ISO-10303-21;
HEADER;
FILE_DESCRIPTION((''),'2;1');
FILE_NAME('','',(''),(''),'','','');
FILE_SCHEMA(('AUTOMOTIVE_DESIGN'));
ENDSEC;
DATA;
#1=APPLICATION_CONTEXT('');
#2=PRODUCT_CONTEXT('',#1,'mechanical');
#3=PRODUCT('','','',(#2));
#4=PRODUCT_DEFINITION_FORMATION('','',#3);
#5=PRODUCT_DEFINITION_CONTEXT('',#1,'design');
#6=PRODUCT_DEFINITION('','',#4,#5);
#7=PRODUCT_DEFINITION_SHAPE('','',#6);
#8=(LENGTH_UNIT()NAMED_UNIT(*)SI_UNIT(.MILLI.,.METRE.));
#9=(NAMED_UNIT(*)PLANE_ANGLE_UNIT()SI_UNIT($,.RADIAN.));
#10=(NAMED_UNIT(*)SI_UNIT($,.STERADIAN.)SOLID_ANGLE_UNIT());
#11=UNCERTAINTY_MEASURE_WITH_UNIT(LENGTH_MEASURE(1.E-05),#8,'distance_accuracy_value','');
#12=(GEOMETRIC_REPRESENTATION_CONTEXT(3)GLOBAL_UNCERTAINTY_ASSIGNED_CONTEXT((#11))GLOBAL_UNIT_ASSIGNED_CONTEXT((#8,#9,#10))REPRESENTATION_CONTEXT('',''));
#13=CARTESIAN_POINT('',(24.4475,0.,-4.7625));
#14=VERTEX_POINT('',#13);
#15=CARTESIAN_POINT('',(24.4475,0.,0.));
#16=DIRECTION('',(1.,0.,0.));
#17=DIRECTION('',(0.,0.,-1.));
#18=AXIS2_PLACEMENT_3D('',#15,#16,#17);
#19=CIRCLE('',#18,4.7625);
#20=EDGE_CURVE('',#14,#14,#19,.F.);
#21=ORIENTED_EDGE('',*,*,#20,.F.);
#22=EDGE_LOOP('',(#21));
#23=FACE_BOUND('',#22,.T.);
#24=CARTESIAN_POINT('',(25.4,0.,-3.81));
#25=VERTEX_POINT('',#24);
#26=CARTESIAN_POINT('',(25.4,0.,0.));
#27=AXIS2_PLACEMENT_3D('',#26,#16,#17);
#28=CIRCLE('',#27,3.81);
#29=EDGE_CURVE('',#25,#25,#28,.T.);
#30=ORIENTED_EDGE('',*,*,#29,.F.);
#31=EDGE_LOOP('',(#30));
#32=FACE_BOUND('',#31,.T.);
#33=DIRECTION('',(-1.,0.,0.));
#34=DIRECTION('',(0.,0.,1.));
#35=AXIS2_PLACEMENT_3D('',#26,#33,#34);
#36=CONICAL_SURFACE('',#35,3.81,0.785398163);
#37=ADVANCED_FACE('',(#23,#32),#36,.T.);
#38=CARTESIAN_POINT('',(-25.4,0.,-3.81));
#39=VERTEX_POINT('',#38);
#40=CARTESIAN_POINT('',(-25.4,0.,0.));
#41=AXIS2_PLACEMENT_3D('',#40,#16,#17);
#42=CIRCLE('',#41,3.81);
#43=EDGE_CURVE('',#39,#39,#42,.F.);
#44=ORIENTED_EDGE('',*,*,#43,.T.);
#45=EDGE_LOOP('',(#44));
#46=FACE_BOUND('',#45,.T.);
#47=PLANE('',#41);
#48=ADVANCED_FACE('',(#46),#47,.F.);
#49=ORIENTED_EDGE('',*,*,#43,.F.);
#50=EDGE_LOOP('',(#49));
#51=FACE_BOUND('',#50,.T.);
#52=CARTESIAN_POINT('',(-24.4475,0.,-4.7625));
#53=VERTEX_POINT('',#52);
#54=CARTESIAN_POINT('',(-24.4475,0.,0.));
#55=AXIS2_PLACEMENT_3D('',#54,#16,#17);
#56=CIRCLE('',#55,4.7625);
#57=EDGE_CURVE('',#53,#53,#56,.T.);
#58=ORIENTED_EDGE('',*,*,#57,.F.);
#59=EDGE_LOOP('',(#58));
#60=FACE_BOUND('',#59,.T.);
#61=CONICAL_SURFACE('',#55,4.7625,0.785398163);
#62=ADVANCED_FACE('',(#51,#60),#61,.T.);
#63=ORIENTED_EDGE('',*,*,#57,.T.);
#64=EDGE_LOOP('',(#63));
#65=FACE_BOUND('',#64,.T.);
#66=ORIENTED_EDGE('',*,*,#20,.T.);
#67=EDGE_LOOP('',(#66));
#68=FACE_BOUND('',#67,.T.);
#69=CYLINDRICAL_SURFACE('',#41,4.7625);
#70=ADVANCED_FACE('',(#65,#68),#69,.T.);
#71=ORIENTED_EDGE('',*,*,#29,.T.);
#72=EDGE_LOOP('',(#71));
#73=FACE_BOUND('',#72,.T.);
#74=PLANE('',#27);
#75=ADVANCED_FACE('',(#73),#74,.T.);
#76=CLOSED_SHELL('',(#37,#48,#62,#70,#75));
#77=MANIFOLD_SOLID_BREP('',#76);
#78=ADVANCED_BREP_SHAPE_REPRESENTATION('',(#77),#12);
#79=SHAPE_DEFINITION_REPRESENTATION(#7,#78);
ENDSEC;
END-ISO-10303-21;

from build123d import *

# Parameters (mm, degrees)
EXTRUDE1_DEPTH      = 25.4
EXTRUDE1_DEPTH_BACK = 25.4
SKETCH2_R           = 4.7625
CHAMFER1_SIZE       = 0.9525


with BuildPart() as part:
    # Sketch2 → Extrude1 (new, two sides: drawn at the far end of the back side and taken through both)
    with BuildSketch(Plane(origin=(0, 0, 0), x_dir=(0, 0, -1), z_dir=(1, 0, 0)).offset(-EXTRUDE1_DEPTH_BACK)):
        Circle(SKETCH2_R)
    extrude(amount=EXTRUDE1_DEPTH + EXTRUDE1_DEPTH_BACK)

    # Chamfer1
    chamfer1_edges = [part.edges().sort_by_distance(p)[0] for p in [
        (-25.4, 0, 4.7625),
        (25.4, 0, 4.7625),
    ]]
    chamfer(chamfer1_edges, length=CHAMFER1_SIZE)


solid = part.part
